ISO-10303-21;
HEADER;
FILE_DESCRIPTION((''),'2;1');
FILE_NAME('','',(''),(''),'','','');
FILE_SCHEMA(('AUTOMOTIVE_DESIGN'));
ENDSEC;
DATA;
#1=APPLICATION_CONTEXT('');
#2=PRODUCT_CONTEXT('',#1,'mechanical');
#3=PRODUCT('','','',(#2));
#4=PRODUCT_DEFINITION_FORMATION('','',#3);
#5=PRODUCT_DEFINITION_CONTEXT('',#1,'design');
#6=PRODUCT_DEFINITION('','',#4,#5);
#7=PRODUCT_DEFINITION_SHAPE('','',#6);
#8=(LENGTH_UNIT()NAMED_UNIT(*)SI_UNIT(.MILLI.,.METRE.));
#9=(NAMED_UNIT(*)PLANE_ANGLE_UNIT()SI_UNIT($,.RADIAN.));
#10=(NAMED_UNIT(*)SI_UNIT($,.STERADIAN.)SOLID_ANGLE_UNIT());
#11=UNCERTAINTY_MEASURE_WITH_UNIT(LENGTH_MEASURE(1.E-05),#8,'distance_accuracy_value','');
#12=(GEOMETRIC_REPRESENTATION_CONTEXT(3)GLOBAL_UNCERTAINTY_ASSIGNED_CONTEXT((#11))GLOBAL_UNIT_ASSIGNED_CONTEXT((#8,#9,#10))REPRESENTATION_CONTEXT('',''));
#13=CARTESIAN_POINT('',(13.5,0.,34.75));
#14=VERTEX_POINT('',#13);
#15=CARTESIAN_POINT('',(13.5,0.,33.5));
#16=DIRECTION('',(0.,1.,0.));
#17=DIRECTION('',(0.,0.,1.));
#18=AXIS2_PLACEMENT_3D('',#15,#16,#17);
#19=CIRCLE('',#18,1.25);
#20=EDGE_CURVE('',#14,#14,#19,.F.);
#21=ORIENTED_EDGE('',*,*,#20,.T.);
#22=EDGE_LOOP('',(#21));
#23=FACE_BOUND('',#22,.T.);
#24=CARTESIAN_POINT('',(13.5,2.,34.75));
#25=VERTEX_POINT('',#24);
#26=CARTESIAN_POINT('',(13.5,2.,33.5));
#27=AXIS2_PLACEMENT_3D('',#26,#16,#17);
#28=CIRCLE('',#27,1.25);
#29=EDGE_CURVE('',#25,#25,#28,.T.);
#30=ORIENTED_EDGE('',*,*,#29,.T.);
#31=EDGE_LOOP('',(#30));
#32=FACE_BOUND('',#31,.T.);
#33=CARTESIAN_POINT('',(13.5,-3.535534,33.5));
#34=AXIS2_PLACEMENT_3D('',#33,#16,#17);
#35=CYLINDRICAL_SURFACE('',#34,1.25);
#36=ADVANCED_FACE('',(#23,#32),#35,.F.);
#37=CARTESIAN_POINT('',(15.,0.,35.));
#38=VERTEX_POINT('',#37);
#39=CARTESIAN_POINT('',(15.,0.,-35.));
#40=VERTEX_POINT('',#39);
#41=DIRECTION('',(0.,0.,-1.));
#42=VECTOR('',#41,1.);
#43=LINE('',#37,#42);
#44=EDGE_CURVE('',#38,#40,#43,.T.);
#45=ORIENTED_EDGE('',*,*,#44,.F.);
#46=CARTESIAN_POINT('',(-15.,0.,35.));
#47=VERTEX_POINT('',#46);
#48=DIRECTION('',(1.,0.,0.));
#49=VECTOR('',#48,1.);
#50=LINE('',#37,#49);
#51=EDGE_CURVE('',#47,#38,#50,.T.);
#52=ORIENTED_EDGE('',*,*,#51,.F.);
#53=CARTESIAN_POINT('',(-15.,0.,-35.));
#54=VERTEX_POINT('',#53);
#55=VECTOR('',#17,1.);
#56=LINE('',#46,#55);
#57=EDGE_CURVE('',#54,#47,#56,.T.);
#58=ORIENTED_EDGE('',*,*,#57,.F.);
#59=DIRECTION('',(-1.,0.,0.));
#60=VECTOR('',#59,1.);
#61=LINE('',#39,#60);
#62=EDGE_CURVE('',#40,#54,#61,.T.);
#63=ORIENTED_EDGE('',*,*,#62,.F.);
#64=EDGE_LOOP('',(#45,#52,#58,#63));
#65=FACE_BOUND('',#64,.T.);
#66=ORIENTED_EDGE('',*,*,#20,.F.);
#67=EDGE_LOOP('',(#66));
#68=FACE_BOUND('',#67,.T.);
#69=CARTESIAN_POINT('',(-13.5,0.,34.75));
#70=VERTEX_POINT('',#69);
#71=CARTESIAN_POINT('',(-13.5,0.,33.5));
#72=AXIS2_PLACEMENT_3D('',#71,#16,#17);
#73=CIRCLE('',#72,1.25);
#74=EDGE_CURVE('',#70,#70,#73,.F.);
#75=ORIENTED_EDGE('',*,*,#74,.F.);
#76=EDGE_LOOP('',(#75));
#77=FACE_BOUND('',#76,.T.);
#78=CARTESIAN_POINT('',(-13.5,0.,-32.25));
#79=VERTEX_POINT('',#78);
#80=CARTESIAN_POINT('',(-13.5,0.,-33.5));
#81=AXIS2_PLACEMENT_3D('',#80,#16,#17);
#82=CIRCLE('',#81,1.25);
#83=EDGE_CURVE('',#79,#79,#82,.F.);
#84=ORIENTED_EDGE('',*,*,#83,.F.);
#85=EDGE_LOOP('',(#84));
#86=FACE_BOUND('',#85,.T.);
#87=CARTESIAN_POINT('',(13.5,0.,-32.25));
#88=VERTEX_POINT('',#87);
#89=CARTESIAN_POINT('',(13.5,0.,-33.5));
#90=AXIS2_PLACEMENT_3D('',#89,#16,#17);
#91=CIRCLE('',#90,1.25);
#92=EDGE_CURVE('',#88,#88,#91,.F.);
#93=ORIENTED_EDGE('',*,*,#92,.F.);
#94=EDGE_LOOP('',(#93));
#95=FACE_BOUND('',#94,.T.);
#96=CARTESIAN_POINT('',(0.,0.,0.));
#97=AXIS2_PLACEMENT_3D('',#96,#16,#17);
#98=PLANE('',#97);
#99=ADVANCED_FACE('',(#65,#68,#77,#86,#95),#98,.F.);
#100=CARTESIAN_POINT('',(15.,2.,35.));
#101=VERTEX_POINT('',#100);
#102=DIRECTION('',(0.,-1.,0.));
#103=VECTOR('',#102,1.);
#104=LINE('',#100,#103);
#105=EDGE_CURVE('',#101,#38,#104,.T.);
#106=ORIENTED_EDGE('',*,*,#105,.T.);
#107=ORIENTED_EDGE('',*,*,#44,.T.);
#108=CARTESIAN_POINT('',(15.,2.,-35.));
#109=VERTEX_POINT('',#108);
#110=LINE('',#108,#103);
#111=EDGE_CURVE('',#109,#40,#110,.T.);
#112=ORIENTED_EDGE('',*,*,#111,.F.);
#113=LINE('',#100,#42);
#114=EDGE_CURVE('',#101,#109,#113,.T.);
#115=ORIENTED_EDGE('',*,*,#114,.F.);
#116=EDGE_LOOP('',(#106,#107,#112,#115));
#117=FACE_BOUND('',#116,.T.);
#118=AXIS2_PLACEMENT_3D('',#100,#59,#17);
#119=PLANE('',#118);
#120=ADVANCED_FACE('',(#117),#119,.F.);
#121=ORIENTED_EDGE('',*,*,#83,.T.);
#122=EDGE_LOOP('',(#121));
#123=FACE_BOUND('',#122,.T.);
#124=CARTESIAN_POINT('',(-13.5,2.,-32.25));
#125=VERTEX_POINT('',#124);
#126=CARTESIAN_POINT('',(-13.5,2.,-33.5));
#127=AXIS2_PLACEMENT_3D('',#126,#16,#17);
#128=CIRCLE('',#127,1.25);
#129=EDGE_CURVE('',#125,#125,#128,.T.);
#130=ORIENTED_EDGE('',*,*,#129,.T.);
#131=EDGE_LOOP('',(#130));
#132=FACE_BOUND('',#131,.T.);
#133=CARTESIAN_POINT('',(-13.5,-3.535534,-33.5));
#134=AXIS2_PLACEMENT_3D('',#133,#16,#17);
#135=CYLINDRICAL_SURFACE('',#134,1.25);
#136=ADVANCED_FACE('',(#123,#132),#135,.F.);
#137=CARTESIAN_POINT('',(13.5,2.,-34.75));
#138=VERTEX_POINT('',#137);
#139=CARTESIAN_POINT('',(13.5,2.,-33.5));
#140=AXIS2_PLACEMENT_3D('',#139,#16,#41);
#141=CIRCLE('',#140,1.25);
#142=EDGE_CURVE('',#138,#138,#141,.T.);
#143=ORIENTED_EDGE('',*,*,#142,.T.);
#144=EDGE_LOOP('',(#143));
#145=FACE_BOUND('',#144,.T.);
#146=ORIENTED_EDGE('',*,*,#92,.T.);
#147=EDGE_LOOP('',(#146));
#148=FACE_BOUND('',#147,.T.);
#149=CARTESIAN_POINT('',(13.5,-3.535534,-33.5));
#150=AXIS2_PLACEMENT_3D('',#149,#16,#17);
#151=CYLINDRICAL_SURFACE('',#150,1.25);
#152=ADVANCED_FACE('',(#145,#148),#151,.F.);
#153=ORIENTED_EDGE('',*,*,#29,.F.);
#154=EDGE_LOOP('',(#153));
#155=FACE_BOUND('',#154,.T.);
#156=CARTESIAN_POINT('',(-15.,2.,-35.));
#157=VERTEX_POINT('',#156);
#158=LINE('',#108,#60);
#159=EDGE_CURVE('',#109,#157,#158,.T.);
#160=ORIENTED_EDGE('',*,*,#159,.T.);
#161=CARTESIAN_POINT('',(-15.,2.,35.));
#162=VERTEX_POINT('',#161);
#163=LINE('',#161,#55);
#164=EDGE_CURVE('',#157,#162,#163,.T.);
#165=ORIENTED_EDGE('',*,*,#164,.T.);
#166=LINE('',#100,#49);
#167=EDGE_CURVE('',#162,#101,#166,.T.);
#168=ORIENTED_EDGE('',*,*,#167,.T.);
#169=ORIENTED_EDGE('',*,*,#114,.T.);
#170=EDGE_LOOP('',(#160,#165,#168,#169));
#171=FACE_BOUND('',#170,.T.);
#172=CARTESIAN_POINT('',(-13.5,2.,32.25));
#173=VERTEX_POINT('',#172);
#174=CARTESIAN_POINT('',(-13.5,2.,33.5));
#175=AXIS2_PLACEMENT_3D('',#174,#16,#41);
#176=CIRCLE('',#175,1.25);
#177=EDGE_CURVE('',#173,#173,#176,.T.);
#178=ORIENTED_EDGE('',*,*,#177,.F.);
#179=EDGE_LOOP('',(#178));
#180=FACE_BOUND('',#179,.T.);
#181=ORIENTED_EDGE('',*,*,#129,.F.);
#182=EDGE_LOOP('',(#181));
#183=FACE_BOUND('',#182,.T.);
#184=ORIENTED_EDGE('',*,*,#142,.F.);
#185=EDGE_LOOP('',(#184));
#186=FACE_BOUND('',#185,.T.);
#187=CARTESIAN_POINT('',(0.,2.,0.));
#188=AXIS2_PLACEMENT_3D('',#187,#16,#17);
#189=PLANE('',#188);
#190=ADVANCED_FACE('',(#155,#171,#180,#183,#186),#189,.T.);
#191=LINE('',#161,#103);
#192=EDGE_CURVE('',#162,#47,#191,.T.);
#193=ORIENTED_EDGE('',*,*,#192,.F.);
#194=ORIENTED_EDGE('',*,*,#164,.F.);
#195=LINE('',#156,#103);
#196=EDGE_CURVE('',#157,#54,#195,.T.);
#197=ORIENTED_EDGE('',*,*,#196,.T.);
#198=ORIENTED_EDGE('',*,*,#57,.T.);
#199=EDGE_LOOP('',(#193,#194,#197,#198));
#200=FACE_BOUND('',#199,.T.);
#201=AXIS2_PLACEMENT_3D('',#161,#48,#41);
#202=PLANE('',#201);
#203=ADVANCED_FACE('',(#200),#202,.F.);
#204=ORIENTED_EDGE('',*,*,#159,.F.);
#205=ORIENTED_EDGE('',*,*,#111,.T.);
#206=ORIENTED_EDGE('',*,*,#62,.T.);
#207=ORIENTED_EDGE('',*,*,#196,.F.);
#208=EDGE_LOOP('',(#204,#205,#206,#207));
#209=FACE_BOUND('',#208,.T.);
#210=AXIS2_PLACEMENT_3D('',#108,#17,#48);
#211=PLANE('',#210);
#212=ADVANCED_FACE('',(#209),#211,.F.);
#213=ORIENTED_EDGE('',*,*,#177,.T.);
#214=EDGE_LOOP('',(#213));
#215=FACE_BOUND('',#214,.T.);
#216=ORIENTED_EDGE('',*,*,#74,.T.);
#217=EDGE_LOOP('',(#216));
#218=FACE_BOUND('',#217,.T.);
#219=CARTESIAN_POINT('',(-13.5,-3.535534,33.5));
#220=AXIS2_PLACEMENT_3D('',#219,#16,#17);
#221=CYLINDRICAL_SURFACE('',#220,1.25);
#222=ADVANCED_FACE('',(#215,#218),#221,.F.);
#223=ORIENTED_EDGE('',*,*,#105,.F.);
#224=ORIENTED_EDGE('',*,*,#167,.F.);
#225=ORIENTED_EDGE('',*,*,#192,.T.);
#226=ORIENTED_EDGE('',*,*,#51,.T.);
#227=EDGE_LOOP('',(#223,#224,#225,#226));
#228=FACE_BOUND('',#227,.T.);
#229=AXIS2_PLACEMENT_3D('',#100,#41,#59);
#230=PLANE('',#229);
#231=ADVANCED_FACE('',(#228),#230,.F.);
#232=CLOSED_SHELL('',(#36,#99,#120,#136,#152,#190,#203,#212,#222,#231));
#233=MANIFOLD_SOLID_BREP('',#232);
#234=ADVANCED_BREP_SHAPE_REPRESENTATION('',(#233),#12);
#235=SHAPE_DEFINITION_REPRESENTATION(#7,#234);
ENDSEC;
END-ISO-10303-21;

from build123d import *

# Parameters (mm, degrees)
SKETCH1_W           = 30
SKETCH1_H           = 70
BOSS_EXTRUDE1_DEPTH = 2
SKETCH2_R           = 1.25
CUT_EXTRUDE1_DEPTH  = 2


with BuildPart() as part:
    # Sketch1 → Boss-Extrude1 (new body)
    with BuildSketch(Plane(origin=(0, 0, 0), x_dir=(1, 0, 0), z_dir=(0, 1, 0))):
        Rectangle(SKETCH1_W, SKETCH1_H)
    extrude(amount=BOSS_EXTRUDE1_DEPTH)

    # Sketch2 → Cut-Extrude1 (cut)
    with BuildSketch(Plane(origin=(0, 2, 0), x_dir=(1, 0, 0), z_dir=(0, 1, 0))):
        with Locations((-13.5, 33.5)):
            Circle(SKETCH2_R)
        with Locations((13.5, 33.5)):
            Circle(SKETCH2_R)
        with Locations((13.5, -33.5)):
            Circle(SKETCH2_R)
        with Locations((-13.5, -33.5)):
            Circle(SKETCH2_R)
    extrude(amount=-CUT_EXTRUDE1_DEPTH, mode=Mode.SUBTRACT)


solid = part.part
